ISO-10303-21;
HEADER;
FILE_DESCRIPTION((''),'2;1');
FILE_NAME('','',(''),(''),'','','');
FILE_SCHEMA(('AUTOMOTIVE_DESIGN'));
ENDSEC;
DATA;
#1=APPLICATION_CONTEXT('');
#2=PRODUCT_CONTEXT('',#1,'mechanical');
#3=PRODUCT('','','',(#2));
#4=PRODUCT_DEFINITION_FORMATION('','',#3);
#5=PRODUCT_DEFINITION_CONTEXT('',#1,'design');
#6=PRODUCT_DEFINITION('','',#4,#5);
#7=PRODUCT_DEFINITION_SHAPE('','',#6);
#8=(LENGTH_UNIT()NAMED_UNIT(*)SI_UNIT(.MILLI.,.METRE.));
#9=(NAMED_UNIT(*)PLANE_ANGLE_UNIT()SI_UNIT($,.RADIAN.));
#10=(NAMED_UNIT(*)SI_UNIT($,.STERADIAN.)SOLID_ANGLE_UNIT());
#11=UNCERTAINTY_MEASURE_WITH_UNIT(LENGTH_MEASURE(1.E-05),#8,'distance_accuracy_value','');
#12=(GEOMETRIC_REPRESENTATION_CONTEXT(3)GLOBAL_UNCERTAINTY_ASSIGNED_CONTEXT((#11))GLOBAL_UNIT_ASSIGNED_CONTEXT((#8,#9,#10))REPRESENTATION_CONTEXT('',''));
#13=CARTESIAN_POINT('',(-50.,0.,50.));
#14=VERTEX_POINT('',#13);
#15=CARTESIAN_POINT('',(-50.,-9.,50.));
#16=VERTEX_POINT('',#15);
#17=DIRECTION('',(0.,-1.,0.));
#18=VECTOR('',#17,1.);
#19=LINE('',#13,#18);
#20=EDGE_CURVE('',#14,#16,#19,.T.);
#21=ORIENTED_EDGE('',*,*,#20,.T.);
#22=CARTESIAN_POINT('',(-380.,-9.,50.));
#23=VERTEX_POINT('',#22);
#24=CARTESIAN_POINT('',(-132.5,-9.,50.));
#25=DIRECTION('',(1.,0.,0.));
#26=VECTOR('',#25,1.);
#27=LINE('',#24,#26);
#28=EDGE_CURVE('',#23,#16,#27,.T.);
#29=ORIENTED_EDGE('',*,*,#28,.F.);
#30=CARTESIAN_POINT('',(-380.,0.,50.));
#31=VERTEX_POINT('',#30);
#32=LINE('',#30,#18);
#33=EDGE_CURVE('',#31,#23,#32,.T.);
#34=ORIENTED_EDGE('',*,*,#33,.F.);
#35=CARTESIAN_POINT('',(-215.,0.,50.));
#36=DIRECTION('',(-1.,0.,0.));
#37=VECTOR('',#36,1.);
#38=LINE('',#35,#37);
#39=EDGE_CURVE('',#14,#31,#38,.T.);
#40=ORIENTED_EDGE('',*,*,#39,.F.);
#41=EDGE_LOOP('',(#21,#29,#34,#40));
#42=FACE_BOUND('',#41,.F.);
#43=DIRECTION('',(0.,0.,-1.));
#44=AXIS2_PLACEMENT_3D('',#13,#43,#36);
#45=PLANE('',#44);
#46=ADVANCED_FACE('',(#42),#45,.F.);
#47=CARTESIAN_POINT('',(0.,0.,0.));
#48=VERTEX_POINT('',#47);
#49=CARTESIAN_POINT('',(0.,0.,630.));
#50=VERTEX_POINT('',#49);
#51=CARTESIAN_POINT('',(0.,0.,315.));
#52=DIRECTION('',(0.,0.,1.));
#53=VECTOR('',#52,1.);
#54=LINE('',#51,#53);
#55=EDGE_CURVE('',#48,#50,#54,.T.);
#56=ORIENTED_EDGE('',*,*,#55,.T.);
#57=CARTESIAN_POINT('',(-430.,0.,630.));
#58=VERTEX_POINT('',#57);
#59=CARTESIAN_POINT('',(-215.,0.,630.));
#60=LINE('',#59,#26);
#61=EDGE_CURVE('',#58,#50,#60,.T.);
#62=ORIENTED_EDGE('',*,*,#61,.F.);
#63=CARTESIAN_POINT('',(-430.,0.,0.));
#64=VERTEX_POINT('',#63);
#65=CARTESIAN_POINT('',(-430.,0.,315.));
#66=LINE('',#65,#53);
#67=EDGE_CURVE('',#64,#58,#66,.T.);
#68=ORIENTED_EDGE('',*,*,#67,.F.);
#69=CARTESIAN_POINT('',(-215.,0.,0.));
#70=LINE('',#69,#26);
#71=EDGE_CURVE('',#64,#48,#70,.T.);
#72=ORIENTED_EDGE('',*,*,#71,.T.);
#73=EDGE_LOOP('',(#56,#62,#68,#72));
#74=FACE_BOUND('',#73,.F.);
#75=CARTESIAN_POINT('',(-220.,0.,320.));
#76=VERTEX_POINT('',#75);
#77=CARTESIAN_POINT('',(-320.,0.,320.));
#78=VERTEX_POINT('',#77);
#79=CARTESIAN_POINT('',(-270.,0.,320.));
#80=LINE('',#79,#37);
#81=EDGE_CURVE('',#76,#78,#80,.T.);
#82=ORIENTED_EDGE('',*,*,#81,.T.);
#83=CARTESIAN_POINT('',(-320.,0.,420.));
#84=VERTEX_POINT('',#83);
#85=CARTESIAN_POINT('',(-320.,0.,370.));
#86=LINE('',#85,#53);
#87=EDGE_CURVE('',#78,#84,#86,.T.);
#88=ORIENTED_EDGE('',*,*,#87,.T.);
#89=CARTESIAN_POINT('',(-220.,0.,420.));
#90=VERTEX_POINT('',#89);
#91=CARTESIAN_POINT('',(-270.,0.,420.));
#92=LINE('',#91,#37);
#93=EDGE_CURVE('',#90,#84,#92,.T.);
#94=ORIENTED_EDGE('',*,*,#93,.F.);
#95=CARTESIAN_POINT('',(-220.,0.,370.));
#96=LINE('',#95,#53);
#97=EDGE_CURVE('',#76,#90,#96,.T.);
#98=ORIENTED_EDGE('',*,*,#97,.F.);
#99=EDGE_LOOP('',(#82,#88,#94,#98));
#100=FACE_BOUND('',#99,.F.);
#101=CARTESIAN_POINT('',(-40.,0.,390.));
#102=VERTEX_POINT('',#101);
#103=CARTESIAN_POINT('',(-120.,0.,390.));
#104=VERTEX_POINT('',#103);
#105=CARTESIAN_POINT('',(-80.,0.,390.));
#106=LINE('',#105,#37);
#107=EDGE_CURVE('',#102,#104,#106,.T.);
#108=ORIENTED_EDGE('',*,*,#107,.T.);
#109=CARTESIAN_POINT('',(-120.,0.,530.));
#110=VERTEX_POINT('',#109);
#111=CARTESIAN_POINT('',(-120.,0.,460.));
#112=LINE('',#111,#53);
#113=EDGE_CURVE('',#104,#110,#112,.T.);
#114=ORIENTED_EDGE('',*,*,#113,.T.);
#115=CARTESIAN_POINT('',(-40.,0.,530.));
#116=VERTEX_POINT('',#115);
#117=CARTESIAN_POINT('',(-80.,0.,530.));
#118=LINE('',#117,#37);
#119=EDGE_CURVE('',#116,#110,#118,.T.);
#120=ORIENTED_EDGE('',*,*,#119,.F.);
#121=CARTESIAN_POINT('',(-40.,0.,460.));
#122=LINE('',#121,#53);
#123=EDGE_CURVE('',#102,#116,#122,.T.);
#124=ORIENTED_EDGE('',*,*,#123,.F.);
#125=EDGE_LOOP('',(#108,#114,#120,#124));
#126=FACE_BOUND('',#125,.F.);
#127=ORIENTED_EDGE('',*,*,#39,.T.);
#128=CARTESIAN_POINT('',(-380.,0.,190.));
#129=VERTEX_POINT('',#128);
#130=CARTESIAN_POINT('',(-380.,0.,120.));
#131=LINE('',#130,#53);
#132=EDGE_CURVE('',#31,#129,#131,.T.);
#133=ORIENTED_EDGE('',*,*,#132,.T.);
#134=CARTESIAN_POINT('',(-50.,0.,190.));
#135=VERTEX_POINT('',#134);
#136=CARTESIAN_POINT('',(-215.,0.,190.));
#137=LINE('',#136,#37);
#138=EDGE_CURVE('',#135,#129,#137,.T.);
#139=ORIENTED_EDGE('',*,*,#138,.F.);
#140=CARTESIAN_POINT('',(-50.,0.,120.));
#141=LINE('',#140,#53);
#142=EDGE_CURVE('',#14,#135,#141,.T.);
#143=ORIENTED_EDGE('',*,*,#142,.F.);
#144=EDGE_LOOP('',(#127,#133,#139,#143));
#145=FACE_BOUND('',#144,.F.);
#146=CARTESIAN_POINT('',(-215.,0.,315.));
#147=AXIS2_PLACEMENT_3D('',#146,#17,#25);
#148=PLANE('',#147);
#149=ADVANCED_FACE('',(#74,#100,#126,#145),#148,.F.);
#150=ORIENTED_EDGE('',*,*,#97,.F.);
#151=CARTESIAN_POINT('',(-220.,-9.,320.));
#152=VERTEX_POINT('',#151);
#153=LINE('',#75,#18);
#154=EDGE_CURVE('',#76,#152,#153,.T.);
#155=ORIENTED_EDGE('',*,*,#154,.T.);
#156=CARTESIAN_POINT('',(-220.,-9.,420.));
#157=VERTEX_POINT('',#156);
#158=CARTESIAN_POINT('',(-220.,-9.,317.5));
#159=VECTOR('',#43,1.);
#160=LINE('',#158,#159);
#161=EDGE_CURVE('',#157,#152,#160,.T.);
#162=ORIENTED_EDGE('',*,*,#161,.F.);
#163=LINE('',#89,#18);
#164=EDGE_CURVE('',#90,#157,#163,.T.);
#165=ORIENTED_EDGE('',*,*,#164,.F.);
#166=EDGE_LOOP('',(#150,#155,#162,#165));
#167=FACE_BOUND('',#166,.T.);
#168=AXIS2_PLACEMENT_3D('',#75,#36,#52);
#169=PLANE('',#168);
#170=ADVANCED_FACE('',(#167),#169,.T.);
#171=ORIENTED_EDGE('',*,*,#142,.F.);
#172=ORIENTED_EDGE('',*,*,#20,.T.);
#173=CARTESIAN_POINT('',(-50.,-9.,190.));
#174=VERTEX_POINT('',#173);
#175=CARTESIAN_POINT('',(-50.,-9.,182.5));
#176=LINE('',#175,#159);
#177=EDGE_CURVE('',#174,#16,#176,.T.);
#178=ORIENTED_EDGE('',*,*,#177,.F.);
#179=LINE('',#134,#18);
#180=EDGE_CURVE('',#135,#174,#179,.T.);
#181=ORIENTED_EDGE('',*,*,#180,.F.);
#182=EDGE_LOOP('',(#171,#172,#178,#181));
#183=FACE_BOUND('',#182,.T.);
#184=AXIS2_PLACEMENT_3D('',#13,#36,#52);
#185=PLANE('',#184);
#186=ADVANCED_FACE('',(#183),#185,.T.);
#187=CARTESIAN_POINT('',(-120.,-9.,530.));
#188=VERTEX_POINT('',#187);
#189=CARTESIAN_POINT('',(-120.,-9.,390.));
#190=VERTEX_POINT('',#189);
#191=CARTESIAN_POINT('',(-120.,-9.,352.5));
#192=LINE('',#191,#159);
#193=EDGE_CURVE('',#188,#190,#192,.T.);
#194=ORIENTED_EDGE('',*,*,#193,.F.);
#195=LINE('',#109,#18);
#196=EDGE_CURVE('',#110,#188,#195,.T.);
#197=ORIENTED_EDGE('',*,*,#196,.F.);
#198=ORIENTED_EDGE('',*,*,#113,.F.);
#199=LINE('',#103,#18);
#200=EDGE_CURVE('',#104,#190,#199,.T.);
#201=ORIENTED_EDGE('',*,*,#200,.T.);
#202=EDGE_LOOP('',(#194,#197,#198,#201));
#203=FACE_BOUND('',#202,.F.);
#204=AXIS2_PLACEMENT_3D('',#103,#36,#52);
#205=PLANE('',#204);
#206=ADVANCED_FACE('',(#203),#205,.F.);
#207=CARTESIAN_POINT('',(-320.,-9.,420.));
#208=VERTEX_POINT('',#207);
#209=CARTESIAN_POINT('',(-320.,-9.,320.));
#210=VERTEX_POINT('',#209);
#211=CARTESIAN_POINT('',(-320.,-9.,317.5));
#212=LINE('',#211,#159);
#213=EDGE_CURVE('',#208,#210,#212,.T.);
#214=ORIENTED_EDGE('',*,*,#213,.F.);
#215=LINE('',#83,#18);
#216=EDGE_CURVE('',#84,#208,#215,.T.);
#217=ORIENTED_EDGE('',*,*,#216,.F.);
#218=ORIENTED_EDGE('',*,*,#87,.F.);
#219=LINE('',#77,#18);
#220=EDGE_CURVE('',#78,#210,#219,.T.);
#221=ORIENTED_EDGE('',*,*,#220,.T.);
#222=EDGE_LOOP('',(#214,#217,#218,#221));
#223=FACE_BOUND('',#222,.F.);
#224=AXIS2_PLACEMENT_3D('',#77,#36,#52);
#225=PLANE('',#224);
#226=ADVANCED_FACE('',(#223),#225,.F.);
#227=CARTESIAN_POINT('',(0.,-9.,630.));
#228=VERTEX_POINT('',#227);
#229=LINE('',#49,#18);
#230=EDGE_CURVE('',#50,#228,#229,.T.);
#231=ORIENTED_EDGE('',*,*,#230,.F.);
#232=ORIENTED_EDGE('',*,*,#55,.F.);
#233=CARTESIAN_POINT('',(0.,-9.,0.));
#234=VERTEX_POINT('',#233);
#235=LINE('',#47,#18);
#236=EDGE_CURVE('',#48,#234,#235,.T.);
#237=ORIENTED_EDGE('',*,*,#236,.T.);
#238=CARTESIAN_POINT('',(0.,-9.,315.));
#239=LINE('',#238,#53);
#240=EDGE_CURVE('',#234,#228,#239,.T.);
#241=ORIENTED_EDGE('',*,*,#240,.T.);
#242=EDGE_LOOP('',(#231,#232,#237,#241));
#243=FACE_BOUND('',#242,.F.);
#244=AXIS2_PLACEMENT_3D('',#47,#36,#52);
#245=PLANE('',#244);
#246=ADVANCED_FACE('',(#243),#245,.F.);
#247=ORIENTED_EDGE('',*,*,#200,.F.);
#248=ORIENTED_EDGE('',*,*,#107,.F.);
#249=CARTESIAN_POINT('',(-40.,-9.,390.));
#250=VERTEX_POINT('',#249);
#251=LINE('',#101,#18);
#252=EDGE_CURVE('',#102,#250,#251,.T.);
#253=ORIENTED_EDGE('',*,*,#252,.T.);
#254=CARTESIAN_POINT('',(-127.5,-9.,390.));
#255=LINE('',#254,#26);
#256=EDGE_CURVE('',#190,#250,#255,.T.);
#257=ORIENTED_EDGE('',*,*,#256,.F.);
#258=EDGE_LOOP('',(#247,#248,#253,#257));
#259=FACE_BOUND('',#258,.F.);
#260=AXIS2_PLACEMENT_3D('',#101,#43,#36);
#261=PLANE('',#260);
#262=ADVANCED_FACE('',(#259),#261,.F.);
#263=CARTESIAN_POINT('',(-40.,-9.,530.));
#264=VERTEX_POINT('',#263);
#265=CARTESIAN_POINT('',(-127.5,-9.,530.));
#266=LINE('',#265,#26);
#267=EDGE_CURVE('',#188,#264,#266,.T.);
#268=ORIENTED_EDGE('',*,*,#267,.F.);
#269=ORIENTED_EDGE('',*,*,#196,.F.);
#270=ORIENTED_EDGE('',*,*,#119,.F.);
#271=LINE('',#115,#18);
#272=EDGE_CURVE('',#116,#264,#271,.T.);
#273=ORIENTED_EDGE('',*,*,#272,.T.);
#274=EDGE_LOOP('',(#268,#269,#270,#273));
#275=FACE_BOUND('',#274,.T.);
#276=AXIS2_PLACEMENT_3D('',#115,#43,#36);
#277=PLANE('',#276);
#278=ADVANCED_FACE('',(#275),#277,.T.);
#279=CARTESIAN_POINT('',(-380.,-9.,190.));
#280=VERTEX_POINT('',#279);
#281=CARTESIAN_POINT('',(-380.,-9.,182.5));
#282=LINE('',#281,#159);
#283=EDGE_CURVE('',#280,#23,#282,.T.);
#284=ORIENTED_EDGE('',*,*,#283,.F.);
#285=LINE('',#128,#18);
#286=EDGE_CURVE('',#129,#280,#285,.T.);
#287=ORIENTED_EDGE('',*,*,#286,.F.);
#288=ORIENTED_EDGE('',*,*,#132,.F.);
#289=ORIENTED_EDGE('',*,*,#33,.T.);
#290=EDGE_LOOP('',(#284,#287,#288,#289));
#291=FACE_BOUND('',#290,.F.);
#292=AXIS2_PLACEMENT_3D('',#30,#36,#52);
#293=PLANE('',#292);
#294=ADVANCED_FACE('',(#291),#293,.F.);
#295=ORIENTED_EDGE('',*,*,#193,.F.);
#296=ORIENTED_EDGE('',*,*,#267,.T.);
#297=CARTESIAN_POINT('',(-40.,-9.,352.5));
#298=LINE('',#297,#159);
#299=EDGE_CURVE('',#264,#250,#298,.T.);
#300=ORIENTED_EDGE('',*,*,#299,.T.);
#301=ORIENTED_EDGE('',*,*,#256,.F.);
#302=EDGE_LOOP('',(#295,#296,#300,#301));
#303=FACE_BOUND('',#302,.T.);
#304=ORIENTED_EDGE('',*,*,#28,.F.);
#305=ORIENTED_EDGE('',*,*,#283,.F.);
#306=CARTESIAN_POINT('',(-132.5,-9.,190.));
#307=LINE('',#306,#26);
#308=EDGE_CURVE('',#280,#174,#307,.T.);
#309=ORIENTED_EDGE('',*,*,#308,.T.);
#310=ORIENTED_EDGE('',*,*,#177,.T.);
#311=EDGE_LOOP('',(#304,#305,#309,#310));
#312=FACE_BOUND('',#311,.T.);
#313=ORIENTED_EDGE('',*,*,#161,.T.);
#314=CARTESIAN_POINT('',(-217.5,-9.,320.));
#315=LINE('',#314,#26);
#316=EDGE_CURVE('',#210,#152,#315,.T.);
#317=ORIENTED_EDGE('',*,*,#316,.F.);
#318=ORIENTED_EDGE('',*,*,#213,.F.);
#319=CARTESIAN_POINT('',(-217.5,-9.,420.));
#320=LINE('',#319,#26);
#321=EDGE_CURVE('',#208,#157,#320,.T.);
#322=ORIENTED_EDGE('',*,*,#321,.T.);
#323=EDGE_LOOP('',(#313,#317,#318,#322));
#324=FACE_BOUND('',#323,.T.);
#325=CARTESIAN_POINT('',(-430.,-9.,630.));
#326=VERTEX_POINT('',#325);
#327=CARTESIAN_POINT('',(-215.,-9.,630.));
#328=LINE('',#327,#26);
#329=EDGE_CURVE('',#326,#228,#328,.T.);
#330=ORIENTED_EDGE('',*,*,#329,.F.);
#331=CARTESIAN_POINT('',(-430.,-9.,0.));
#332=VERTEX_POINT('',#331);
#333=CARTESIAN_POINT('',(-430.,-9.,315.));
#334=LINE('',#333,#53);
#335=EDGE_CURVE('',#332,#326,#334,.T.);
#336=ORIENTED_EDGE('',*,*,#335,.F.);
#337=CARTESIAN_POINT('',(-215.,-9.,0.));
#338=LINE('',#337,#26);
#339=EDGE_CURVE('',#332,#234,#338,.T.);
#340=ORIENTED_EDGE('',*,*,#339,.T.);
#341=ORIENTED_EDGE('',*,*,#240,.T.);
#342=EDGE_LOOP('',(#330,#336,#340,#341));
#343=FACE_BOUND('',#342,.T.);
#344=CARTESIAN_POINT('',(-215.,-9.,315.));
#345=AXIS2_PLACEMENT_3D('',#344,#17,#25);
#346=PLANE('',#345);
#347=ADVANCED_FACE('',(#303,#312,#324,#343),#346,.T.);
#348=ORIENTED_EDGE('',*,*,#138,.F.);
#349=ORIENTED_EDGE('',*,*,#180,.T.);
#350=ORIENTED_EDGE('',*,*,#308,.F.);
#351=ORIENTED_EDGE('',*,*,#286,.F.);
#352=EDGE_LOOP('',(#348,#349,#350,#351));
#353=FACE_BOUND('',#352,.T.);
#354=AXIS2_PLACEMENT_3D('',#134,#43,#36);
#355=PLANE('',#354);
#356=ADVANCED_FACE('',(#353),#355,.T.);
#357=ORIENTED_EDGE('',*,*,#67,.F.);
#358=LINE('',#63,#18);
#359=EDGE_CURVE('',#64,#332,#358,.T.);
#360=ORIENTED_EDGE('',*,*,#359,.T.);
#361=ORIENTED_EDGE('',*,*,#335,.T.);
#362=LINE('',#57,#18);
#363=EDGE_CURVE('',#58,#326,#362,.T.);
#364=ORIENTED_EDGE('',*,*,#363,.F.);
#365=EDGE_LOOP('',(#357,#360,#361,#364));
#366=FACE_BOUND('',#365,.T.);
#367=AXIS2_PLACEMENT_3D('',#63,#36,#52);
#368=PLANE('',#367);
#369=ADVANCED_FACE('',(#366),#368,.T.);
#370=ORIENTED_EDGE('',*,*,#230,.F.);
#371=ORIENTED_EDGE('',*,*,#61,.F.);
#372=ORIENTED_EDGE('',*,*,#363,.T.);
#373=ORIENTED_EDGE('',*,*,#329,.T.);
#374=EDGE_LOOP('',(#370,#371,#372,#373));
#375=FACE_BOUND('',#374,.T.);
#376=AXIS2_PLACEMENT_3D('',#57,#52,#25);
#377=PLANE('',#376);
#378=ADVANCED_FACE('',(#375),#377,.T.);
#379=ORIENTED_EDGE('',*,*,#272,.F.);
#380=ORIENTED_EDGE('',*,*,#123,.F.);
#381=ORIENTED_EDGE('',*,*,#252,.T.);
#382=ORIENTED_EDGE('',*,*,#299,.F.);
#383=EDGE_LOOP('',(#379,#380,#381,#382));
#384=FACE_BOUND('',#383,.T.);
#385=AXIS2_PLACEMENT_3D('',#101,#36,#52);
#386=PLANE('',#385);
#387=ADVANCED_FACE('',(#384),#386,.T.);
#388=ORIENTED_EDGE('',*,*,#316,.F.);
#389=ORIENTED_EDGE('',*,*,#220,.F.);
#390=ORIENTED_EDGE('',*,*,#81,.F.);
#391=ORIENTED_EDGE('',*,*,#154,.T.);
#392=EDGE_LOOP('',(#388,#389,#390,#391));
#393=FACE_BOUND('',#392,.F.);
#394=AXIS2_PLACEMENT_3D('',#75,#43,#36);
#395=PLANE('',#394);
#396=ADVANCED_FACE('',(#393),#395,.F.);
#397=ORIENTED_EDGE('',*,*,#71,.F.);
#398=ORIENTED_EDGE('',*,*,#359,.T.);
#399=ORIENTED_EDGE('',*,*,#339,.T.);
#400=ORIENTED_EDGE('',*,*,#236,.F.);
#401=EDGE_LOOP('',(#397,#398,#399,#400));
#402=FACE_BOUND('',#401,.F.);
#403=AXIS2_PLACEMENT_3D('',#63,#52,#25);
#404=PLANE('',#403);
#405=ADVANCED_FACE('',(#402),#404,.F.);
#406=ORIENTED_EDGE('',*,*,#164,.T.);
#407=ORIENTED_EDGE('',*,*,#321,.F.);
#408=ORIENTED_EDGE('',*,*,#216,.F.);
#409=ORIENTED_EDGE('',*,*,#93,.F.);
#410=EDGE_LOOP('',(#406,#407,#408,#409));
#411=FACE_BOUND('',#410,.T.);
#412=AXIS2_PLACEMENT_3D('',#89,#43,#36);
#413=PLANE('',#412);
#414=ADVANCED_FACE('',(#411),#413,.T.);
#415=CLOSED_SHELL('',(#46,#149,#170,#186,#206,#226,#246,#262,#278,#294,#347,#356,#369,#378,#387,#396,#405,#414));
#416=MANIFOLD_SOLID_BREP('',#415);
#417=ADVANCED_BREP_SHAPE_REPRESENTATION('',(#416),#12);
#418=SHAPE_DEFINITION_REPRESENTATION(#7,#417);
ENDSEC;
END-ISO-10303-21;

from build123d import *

# Parameters (mm, degrees)
F0_W     = 430
F0_H     = 630
F1_DEPTH = 9
F2_W     = 330
F2_H     = 140
F2_W_2   = 100
F2_H_2   = 100
F2_W_3   = 80
F3_DEPTH = 25


with BuildPart() as f1:
    # F0 (on Front) → F1 (new body)
    with BuildSketch(Plane.XZ):
        with Locations((-215, 315)):
            Rectangle(F0_W, F0_H)
    extrude(amount=F1_DEPTH)

    # F2 (on face) → F3 (cut)
    with BuildSketch(Plane(origin=(0, 0, 0), x_dir=(-1, 0, 0), z_dir=(0, 1, 0))):
        with Locations((215, 120)):
            Rectangle(F2_W, F2_H)
        with Locations((270, 370)):
            Rectangle(F2_W_2, F2_H_2)
        with Locations((80, 460)):
            Rectangle(F2_W_3, F2_H)
    extrude(amount=-F3_DEPTH, mode=Mode.SUBTRACT)


solid = f1.part
